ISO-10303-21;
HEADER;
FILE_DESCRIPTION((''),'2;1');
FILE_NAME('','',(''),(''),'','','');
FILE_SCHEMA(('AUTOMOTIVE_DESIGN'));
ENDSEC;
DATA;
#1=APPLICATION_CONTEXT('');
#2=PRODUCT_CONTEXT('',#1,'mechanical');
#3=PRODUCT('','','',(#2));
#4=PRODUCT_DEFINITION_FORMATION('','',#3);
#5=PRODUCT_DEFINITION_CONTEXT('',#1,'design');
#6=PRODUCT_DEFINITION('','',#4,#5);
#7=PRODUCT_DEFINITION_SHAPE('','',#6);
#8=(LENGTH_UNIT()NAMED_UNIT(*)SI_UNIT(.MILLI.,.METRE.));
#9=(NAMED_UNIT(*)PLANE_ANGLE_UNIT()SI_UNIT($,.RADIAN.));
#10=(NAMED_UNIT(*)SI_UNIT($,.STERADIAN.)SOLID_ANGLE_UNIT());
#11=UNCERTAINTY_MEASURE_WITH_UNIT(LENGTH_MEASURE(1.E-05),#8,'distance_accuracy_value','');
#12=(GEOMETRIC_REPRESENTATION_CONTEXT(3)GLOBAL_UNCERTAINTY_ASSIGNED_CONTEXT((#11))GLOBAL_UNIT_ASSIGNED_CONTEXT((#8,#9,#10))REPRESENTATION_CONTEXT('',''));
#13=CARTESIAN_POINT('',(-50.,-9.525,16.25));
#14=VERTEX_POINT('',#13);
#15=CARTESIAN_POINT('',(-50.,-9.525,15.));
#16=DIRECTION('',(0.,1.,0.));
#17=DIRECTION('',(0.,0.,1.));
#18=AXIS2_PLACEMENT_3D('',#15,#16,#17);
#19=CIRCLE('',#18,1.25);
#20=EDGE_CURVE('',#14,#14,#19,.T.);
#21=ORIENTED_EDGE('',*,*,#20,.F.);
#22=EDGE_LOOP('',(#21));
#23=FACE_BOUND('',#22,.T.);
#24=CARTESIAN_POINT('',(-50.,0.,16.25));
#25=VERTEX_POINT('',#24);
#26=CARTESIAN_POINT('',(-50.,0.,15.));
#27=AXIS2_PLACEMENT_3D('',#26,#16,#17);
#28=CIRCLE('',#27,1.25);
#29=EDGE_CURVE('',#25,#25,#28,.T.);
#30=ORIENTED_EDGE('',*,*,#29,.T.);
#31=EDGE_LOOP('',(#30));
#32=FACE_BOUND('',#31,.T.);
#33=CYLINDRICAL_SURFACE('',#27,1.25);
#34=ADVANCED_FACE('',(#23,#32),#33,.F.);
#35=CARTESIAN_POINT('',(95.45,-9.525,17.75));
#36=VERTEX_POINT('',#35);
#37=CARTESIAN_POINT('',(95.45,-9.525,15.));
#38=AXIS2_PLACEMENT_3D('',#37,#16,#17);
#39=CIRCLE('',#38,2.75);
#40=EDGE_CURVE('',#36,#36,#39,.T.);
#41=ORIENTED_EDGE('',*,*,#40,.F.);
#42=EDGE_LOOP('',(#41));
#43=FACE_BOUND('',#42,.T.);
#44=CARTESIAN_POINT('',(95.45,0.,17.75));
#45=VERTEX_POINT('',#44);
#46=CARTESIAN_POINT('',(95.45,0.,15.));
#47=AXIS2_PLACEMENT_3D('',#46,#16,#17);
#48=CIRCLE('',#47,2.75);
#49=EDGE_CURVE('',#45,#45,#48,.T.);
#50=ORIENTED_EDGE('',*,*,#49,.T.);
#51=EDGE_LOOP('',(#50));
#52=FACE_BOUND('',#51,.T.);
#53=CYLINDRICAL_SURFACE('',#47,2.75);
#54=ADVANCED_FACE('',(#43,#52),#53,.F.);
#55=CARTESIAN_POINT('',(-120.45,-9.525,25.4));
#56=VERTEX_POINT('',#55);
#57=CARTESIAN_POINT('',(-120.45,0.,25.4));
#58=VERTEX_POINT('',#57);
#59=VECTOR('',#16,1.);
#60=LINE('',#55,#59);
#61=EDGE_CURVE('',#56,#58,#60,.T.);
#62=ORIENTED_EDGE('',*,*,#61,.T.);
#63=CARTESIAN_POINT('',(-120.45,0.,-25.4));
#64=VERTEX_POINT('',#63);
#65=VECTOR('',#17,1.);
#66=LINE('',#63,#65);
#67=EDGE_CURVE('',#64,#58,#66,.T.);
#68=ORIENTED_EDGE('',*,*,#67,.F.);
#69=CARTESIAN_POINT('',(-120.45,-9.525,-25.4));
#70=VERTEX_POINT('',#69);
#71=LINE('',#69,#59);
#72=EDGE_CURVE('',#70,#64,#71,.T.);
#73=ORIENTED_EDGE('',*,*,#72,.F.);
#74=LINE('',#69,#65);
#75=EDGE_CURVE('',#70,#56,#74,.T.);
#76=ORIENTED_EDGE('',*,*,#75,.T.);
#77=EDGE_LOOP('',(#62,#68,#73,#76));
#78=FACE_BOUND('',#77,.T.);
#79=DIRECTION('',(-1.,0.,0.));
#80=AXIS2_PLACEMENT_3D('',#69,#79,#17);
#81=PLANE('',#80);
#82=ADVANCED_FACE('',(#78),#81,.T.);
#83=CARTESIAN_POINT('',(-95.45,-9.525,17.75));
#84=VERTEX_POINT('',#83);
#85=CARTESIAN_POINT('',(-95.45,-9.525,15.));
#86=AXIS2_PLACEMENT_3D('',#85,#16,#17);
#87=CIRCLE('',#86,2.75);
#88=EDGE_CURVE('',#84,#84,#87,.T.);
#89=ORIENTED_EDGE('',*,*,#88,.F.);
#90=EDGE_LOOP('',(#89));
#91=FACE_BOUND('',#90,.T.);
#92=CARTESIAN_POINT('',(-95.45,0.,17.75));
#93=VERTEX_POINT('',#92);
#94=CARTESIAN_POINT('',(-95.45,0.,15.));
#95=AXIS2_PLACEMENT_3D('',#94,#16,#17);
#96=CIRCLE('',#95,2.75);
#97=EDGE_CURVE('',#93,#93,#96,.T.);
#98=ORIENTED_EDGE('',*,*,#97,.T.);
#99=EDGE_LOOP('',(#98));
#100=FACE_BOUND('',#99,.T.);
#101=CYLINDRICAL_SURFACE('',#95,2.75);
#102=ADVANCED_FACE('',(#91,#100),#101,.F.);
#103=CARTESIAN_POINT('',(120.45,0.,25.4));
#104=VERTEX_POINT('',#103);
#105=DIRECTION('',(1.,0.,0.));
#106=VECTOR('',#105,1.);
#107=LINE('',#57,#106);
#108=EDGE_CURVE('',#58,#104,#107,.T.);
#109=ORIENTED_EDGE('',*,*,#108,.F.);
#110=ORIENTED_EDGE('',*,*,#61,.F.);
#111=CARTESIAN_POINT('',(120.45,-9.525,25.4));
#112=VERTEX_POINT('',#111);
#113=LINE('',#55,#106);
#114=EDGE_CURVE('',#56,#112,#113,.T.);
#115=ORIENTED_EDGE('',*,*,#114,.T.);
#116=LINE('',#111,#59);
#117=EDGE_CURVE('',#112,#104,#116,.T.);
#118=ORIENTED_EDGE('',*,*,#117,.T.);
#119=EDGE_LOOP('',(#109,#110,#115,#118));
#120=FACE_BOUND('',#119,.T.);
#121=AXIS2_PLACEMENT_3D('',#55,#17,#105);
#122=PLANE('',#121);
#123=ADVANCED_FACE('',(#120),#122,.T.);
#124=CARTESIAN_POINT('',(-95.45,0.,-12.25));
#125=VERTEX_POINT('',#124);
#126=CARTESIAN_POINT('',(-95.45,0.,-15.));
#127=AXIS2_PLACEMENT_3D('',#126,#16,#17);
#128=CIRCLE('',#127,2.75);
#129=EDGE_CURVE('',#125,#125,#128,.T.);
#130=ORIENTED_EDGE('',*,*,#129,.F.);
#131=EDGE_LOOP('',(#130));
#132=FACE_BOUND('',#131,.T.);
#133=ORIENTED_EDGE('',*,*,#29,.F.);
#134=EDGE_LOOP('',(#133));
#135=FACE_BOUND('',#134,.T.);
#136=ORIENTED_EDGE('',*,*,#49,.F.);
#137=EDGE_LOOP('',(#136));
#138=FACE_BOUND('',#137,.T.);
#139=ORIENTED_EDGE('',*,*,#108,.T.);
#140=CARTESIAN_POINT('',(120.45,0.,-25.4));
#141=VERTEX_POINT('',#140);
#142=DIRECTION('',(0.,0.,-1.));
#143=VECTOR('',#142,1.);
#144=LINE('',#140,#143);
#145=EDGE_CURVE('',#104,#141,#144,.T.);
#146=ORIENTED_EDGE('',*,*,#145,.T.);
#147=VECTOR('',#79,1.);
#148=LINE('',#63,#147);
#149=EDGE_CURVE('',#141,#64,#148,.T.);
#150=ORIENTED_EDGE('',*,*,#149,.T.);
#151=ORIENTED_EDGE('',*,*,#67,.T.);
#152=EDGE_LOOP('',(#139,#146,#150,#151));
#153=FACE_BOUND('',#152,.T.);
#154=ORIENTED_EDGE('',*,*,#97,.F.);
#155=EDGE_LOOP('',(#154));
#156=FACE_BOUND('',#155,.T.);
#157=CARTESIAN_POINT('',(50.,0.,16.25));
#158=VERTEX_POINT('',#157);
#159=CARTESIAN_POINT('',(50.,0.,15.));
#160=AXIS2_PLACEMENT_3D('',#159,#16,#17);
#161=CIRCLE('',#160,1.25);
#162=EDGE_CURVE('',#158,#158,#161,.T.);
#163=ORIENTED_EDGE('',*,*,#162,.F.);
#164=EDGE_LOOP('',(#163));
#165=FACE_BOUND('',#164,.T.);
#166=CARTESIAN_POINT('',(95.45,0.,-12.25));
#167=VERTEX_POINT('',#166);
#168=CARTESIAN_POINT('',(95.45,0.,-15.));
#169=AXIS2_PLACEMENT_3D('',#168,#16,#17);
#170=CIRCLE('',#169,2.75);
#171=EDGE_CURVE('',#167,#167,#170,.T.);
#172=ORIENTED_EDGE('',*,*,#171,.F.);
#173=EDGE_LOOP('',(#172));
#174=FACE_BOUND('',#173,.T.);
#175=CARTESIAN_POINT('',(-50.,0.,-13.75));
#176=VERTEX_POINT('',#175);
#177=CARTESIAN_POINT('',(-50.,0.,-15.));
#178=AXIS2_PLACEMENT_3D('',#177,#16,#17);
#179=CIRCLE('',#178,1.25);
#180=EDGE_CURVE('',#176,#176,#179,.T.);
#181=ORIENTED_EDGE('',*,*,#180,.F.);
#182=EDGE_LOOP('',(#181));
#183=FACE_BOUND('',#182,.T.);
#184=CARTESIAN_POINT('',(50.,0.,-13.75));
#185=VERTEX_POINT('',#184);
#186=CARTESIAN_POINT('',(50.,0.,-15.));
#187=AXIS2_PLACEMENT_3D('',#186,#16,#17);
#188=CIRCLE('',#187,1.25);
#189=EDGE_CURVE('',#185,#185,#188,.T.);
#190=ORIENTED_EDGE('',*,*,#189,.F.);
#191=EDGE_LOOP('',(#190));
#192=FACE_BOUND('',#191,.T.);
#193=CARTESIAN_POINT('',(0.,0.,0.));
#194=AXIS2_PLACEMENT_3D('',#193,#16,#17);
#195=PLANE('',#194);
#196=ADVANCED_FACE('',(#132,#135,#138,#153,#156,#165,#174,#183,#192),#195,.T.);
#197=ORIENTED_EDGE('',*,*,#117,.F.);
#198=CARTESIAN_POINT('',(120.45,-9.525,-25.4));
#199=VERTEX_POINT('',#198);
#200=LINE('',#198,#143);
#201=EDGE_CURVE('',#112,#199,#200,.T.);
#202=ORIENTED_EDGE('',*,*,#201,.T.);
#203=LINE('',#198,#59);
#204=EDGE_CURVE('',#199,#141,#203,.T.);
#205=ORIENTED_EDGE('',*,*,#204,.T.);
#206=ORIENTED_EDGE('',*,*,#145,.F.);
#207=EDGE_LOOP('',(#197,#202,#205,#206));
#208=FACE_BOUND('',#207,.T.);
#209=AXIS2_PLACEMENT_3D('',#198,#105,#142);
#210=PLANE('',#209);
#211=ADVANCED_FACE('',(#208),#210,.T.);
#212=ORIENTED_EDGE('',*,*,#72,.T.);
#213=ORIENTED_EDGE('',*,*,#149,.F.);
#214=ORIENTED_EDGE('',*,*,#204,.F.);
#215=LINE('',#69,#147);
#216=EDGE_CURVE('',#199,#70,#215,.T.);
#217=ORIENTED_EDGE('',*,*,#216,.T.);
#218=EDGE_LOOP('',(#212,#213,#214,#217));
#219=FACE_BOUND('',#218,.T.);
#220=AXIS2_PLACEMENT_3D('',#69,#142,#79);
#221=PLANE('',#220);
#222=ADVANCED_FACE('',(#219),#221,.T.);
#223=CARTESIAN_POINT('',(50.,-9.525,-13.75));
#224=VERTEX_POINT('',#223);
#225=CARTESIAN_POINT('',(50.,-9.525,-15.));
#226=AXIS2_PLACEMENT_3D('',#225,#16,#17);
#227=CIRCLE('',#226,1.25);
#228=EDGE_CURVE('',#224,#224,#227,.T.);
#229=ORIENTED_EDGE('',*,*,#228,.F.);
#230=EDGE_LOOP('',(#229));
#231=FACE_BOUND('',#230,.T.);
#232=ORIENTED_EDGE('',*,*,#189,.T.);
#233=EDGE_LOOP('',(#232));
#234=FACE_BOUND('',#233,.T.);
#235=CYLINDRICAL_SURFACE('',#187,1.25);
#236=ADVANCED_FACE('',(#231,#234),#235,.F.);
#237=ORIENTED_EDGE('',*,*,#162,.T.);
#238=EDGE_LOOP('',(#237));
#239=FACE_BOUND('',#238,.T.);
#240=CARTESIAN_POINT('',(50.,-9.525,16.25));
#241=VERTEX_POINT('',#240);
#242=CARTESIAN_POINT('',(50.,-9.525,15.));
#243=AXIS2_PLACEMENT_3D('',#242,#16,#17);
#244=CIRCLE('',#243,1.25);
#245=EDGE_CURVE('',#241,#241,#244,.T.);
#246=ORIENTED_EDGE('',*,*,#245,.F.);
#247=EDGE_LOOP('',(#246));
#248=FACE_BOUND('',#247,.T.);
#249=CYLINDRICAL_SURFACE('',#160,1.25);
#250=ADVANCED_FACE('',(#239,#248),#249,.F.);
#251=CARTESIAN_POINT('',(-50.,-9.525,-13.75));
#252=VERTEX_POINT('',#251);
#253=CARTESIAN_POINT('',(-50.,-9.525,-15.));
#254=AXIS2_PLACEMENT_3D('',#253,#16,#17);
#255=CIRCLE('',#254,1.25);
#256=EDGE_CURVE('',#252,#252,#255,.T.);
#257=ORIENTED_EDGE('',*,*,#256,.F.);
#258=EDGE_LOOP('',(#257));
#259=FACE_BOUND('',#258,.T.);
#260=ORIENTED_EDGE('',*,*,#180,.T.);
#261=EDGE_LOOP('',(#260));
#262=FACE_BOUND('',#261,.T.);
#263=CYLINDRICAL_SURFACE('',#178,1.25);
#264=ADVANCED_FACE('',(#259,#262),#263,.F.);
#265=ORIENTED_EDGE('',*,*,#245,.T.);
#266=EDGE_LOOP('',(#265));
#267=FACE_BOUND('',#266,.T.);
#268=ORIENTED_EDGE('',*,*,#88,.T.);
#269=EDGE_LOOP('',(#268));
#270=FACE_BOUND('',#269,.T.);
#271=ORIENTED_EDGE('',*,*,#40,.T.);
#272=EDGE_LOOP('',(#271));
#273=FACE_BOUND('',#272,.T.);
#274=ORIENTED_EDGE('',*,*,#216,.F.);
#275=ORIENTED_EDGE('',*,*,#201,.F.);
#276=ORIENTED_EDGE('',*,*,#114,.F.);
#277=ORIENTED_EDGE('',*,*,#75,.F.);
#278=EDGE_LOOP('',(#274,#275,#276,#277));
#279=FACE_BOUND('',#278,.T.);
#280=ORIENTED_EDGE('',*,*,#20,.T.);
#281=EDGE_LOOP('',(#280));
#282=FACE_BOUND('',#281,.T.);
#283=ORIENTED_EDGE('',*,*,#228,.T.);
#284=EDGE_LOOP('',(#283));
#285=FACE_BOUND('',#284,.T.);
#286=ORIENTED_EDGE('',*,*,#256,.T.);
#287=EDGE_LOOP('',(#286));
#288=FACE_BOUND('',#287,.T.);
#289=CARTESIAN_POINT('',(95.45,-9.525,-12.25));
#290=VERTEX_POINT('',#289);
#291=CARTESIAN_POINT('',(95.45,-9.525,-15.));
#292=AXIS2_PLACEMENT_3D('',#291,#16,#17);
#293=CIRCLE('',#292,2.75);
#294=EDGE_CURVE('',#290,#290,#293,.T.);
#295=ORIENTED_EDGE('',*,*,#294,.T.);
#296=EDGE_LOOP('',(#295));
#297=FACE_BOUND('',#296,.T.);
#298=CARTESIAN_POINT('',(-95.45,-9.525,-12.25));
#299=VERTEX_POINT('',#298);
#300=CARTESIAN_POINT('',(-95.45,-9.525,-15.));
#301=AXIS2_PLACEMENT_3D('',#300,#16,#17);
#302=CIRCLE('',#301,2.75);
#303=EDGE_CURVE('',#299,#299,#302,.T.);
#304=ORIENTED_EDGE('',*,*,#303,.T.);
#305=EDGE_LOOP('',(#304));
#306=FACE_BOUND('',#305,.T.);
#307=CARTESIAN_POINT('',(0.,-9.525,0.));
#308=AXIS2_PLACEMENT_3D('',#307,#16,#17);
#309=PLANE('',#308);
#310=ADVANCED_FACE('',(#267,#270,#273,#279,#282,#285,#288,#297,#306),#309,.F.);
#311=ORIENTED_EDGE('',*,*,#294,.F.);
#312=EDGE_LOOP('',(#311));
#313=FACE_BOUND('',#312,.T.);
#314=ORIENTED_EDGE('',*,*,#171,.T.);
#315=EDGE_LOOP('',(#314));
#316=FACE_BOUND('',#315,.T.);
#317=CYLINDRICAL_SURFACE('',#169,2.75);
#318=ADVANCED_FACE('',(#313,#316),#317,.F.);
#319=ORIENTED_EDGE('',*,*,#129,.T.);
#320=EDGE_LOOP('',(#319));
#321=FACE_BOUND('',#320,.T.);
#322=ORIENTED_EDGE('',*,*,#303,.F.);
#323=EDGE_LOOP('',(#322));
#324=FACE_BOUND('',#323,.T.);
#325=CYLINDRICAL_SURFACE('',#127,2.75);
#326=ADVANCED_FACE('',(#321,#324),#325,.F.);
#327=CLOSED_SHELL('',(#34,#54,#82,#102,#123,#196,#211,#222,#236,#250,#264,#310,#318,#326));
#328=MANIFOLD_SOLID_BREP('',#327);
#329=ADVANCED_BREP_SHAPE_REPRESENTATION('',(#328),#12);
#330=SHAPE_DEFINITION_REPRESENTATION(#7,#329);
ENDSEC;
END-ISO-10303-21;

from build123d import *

# Parameters (mm, degrees)
SKETCH1_W             = 240.9
SKETCH1_H             = 50.8
BOSS_EXTRUDE1_DEPTH   = 9.525
M3X0_5_TAPPED_HOLE1_D = 2.5
M5_CLEARANCE_HOLE1_D  = 5.5


with BuildPart() as part:
    # Sketch1 → Boss-Extrude1 (new body)
    with BuildSketch(Plane(origin=(0, 0, 0), x_dir=(1, 0, 0), z_dir=(0, 1, 0))):
        Rectangle(SKETCH1_W, SKETCH1_H)
    extrude(amount=-BOSS_EXTRUDE1_DEPTH)

    # M3x0.5 Tapped Hole1 (through all)
    with Locations(Plane(origin=(0, 0, 0), x_dir=(1, 0, 0), z_dir=(0, 1, 0))):
        with Locations((-50, 15), (-50, -15), (50, -15), (50, 15)):
            Hole(M3X0_5_TAPPED_HOLE1_D / 2)

    # M5 Clearance Hole1 (through all)
    with Locations(Plane(origin=(0, 0, 0), x_dir=(1, 0, 0), z_dir=(0, 1, 0))):
        with Locations((95.45, 15), (-95.45, 15), (-95.45, -15), (95.45, -15)):
            Hole(M5_CLEARANCE_HOLE1_D / 2)


solid = part.part
